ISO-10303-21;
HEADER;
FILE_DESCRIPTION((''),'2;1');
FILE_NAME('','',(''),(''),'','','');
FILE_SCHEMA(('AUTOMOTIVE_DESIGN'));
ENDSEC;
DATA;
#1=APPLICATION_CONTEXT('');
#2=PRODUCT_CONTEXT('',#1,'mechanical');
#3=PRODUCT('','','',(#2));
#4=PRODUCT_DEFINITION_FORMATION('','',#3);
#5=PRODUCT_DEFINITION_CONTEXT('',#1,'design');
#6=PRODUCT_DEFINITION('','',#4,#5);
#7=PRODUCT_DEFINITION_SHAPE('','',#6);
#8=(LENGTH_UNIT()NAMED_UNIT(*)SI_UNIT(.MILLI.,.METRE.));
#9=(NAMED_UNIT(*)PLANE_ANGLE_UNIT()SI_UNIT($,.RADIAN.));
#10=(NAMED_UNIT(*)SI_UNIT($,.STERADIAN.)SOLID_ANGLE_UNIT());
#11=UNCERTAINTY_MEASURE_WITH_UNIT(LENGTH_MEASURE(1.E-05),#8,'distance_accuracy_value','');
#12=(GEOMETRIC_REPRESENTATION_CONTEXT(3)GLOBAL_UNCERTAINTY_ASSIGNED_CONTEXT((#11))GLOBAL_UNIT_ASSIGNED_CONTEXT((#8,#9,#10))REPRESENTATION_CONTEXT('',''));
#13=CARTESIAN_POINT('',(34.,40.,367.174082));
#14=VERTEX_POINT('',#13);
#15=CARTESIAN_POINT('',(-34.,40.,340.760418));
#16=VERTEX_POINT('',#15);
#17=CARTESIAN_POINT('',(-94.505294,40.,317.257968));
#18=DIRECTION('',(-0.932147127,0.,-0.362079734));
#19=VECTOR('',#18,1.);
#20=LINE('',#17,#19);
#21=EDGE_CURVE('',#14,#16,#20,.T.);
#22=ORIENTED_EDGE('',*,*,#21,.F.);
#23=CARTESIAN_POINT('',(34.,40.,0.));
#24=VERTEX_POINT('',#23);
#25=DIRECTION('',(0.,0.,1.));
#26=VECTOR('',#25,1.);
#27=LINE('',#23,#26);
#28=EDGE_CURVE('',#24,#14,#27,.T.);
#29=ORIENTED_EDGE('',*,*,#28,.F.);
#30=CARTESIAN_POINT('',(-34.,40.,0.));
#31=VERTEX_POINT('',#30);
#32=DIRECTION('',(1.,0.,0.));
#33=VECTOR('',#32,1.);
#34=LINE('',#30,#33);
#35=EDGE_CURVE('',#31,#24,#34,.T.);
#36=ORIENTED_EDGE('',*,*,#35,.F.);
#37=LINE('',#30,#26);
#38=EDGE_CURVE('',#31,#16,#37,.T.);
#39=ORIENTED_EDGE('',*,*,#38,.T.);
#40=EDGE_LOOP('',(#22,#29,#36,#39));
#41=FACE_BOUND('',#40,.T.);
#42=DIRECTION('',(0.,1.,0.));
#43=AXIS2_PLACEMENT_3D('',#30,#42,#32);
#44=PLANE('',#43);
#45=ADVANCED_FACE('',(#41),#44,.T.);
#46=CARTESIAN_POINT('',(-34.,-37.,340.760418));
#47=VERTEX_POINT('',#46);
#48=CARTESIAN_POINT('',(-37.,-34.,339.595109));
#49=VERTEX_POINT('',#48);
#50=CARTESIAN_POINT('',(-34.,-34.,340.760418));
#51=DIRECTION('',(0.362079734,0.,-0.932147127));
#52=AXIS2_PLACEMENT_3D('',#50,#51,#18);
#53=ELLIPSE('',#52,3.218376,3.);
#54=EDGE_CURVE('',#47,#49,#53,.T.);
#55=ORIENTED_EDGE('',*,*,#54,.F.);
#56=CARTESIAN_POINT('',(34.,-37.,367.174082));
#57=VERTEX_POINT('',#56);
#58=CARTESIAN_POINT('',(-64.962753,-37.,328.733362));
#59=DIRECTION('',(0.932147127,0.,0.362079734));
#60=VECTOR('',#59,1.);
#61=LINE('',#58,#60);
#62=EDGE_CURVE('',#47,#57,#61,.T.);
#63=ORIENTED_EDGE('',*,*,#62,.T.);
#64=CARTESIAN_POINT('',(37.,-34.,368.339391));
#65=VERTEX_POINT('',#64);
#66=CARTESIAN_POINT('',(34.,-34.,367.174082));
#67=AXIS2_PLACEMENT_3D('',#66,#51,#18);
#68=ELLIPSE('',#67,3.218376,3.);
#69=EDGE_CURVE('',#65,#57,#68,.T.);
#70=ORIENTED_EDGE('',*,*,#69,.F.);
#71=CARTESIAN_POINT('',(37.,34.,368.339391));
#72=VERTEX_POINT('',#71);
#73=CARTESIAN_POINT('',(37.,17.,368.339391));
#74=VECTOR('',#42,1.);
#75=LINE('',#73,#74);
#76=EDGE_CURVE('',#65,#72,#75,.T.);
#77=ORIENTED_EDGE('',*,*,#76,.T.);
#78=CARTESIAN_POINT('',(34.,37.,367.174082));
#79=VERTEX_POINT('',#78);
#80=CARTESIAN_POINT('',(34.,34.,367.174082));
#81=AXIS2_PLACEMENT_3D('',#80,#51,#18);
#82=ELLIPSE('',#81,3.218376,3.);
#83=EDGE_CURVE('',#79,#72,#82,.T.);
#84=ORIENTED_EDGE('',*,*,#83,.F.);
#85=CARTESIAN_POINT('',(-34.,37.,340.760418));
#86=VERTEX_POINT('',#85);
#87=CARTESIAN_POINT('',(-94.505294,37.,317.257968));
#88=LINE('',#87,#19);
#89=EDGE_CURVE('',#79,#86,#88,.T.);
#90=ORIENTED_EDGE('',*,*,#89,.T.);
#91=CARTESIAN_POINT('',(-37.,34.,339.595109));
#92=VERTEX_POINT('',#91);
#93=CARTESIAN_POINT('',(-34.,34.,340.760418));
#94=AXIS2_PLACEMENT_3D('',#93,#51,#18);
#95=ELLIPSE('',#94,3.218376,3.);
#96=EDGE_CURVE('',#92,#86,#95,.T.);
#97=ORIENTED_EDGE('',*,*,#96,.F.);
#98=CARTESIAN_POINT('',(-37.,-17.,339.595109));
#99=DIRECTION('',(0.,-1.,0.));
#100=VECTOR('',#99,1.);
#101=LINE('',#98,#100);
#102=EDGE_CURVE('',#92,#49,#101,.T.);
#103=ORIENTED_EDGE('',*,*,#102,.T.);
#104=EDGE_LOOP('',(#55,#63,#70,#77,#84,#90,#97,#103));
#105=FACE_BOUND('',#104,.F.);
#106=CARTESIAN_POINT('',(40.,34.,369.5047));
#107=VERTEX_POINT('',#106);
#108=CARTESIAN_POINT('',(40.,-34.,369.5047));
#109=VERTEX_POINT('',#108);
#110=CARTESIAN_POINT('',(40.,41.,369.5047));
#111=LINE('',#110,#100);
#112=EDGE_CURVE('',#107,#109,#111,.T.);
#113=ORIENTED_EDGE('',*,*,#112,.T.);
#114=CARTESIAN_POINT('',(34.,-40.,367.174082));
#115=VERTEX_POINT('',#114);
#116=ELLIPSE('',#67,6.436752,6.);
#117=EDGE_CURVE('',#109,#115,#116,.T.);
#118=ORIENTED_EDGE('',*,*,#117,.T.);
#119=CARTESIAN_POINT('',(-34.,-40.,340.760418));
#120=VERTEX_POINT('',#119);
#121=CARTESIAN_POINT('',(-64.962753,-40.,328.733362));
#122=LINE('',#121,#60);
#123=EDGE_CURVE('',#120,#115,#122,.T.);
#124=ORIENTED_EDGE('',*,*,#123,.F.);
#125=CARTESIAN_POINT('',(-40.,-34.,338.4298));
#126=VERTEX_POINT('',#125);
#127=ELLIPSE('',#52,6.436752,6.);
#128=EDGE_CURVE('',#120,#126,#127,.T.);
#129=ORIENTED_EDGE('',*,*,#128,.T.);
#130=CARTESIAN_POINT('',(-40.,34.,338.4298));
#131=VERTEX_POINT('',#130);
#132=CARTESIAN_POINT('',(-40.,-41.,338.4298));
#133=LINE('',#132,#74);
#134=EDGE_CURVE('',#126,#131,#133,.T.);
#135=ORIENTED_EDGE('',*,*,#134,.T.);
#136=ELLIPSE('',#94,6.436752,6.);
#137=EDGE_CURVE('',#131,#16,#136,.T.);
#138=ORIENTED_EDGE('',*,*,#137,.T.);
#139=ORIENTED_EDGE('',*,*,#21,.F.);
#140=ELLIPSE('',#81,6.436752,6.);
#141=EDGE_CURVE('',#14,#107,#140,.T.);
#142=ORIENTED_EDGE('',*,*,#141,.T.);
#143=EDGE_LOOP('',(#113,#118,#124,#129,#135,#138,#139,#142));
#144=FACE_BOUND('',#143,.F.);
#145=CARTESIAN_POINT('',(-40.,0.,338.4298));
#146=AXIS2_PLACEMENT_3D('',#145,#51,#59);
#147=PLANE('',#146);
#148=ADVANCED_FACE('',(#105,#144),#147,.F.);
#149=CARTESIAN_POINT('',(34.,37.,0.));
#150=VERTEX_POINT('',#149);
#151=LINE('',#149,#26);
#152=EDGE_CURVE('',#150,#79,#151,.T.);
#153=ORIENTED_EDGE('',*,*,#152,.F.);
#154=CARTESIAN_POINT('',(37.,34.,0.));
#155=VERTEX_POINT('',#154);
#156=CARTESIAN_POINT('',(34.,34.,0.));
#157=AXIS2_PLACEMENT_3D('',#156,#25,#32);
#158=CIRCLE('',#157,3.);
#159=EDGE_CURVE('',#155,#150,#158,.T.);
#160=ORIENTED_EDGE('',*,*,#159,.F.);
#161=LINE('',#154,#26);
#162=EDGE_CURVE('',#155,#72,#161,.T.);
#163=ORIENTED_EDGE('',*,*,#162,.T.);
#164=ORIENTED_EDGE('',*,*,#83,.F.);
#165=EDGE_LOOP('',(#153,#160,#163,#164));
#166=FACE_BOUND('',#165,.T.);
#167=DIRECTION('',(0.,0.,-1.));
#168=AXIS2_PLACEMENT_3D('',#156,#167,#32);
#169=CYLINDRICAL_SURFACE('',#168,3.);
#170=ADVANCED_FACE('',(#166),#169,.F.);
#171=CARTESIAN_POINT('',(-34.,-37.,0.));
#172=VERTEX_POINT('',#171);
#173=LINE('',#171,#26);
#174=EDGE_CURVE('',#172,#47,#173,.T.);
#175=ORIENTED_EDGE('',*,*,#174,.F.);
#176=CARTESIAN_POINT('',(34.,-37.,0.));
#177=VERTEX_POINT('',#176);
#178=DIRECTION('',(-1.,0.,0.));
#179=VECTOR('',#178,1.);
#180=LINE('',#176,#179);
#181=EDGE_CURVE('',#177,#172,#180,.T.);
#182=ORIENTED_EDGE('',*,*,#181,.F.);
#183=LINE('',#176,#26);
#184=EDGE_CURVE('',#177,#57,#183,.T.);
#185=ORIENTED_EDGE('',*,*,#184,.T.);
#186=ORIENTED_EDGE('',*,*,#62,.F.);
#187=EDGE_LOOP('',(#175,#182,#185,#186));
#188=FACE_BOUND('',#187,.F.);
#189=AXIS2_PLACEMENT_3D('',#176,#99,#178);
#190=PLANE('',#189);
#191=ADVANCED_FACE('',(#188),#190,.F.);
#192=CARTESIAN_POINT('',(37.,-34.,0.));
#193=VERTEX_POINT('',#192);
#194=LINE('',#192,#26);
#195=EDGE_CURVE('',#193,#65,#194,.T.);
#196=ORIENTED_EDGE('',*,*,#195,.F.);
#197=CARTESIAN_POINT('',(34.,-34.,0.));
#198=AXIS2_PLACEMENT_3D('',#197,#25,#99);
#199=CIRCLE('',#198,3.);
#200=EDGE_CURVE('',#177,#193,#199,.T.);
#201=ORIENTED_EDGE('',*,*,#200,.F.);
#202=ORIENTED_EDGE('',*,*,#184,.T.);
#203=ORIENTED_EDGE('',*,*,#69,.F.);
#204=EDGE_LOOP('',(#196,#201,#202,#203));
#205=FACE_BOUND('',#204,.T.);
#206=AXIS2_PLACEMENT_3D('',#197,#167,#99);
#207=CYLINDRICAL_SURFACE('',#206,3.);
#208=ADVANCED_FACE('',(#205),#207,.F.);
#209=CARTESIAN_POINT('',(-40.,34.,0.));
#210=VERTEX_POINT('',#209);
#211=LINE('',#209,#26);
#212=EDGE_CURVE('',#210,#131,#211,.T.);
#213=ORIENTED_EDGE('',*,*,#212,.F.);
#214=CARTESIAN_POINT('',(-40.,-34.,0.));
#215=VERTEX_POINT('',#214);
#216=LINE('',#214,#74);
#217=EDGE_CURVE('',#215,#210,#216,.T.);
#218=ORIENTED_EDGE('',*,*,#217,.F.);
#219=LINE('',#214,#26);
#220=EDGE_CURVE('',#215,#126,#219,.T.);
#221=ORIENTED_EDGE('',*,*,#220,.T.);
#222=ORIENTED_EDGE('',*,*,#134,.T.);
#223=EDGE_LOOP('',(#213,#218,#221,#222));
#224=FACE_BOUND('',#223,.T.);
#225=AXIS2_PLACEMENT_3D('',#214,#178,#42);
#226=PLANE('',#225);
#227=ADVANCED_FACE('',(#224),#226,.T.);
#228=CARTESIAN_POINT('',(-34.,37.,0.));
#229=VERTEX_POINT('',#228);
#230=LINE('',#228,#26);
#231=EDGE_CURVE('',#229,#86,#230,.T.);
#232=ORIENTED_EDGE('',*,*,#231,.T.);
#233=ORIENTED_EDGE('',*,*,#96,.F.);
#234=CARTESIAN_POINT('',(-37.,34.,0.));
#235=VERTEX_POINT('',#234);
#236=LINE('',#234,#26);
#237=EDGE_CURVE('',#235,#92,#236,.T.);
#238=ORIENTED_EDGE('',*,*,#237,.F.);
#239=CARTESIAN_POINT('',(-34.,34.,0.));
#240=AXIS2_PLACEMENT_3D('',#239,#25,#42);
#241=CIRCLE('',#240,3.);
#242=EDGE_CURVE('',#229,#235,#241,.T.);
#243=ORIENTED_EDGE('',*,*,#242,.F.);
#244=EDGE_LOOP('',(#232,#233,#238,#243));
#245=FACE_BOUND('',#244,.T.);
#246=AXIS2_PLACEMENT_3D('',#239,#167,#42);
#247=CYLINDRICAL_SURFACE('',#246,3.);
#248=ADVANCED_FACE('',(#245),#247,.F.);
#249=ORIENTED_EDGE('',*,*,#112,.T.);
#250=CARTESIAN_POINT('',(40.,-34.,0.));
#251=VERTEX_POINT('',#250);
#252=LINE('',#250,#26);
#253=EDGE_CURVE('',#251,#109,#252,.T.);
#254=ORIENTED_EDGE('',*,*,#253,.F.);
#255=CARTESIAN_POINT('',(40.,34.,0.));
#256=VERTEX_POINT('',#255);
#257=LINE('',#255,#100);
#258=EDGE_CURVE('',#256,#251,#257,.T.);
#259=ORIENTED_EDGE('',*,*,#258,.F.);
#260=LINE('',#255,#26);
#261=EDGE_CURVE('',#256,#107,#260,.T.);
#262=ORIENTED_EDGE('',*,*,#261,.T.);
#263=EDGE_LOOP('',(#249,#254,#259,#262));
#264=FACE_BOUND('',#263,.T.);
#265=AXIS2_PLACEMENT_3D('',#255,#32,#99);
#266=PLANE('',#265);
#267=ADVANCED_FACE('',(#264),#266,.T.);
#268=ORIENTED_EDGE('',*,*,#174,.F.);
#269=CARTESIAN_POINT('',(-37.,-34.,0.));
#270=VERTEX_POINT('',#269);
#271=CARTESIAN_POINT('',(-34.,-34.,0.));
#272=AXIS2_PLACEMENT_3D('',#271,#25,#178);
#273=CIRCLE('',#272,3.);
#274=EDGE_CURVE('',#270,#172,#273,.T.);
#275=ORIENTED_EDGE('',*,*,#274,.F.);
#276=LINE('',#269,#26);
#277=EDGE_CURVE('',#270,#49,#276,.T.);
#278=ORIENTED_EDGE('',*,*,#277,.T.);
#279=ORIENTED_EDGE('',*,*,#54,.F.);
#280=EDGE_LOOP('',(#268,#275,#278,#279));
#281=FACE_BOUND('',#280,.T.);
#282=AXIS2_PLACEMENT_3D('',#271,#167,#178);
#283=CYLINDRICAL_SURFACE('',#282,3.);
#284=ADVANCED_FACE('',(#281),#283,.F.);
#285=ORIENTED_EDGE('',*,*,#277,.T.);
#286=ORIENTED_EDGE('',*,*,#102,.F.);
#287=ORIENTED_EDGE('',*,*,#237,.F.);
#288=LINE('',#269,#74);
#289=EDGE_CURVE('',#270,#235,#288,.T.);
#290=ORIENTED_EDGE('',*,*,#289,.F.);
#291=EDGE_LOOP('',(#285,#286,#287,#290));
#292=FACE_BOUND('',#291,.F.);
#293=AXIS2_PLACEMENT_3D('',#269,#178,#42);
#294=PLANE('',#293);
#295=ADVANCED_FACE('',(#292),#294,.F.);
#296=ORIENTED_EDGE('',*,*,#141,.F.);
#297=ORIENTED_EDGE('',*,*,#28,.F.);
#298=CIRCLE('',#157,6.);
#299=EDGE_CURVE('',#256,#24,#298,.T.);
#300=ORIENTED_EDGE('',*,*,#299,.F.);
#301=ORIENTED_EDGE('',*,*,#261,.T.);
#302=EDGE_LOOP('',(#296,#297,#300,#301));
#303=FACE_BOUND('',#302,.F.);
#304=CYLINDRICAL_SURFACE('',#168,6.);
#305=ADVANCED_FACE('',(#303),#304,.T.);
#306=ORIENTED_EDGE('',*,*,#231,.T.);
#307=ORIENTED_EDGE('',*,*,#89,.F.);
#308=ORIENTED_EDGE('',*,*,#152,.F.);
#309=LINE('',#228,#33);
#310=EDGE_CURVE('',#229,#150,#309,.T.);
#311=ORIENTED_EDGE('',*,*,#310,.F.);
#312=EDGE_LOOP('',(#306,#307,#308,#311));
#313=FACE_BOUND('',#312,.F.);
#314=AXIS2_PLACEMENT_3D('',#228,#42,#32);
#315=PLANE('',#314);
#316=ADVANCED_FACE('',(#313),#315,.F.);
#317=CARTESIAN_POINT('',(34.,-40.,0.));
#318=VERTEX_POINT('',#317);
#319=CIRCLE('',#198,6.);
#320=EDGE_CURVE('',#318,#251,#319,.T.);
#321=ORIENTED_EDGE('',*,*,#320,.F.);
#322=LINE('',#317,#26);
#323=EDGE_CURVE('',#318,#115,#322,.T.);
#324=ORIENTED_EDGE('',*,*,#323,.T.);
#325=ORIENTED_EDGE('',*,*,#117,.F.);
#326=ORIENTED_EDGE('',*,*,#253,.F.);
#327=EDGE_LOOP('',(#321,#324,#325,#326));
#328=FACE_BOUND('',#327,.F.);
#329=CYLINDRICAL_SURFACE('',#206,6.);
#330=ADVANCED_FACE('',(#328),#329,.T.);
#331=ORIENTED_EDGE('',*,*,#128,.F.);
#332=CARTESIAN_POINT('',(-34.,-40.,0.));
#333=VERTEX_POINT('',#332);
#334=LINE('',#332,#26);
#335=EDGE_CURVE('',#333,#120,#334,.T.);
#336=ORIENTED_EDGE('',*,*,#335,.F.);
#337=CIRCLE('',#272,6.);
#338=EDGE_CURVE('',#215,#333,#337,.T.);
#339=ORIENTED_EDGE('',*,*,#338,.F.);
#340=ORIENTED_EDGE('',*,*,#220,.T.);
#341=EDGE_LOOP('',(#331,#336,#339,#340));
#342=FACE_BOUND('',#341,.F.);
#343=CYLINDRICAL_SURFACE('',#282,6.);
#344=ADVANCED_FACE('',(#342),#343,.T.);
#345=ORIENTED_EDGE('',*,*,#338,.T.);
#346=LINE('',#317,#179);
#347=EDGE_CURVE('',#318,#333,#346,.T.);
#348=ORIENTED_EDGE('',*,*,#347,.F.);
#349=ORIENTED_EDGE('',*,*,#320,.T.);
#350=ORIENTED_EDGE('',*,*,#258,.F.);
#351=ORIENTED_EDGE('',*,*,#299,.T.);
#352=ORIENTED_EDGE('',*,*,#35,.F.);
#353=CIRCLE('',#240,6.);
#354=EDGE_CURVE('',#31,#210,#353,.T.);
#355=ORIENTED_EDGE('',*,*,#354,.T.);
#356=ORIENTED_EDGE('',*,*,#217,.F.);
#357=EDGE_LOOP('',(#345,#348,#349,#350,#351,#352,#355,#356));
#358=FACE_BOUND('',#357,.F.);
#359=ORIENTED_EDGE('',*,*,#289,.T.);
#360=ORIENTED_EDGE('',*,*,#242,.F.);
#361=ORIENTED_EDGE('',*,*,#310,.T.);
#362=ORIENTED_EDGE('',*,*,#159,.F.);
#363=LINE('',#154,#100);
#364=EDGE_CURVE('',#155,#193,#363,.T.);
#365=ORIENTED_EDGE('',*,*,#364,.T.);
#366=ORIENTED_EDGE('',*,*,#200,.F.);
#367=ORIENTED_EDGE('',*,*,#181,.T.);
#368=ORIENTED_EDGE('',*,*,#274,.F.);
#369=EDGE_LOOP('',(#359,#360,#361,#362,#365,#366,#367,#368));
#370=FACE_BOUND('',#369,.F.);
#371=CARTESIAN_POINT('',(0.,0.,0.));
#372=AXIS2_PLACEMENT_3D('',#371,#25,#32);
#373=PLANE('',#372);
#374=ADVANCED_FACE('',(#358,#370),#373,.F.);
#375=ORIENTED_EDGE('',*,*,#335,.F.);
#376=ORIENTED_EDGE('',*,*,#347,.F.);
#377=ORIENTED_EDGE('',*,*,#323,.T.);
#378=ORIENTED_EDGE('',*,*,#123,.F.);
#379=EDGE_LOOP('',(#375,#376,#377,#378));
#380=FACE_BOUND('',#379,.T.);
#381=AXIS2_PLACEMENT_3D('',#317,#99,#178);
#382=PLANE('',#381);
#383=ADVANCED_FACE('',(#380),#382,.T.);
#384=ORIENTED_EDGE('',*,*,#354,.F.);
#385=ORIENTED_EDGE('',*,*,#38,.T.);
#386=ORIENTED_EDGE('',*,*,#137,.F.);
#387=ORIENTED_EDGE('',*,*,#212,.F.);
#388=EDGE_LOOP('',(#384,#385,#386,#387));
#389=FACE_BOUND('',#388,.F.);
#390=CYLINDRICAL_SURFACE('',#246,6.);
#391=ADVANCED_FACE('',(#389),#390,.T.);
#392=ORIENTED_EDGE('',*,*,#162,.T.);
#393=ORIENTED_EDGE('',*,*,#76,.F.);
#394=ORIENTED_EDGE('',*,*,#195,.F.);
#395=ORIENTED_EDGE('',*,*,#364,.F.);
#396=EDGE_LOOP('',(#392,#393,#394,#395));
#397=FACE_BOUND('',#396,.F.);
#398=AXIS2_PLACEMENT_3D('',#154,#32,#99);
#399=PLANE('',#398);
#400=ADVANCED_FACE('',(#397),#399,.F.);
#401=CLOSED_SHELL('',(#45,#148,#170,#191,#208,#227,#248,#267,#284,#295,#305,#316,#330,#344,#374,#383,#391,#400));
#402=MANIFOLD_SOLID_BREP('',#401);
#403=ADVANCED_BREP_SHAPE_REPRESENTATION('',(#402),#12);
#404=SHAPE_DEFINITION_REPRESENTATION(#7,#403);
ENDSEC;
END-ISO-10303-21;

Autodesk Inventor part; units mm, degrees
ref_plane "YZ Plane" through (0, 0, 0) normal (1, 0, 0) x (0, 1, 0)
ref_plane "Start plane" through (0, 0, 0) normal (0, 0, 1) x (1, 0, 0)
ref_plane "End plane" through (0, 0, 1000) normal (0, 0, 1) x (1, 0, 0)
sketch "Sketch" plane through (0, 0, 0) normal (0, 0, 1) x (1, 0, 0)
  line L0 (-40, -34) -> (-40, 34)
  line L1 (-34, 40) -> (34, 40)
  line L2 (40, 34) -> (40, -34)
  line L3 (34, -40) -> (-34, -40)
  arc A0 (-40, -34) -> (-34, -40) centre (-34, -34) ccw
  arc A1 (40, 34) -> (34, 40) centre (34, 34) ccw
  arc A2 (-34, 40) -> (-40, 34) centre (-34, 34) ccw
  arc A3 (34, -40) -> (40, -34) centre (34, -34) ccw
  arc A4 (-34, 37) -> (-37, 34) centre (-34, 34) ccw
  line L4 (-34, 37) -> (34, 37)
  arc A5 (37, 34) -> (34, 37) centre (34, 34) ccw
  line L5 (37, 34) -> (37, -34)
  arc A6 (34, -37) -> (37, -34) centre (34, -34) ccw
  line L6 (34, -37) -> (-34, -37)
  arc A7 (-37, -34) -> (-34, -37) centre (-34, -34) ccw
  line L7 (-37, -34) -> (-37, 34)
  line L8 (0, 57.7397) -> (0, -57.7397) construction
  line L9 (-1453.6197, 0) -> (290.3864, 0) construction
  dimension "d7" = 6
  dimension "d9" = 80
  dimension "d11" = 80
  dimension "d12" = 3
  dimension "d15" = 40
  dimension "d16" = 40
extrude "Body" add sketch "Sketch" along normal up to surface (1000 mm away) from surface at 0
sketch "Sketch3" plane through (0, 0, 0) normal (0, 0, 1) x (1, 0, 0)
  line L0 (0, 0) -> (10, 0)
ref_plane "Work Plane3" through (0, 0, 0) normal (0, -1, 0) x (1, 0, 0)
sketch "Sketch5" plane through (0, 0, 0) normal (0, 1, 0) x (-1, 0, 0)
  line L0 (-40, 0) -> (-40, 1000) projected
  line L1 (40, 0) -> (40, 1000) projected
  line L2 (40, 0) -> (40, 1000) projected
  line L3 (40, 349.1577) -> (340, 349.1577) construction
  line L4 (-80.663, 399.3796) -> (760.663, 399.3796) construction
  arc A0 (-80.663, 399.3796) -> (340, 300) centre (340, 1240) ccw construction
  line L5 (-130, 479.2385) -> (810, 479.2385) construction
  arc A1 (-130, 479.2385) -> (-80.663, 399.3796) centre (-40.7, 479.2385) ccw construction
  arc A2 (760.663, 399.3796) -> (810, 479.2385) centre (720.7, 479.2385) ccw
  line L6 (-130, 479.2385) -> (-130, 519.2385)
  line L7 (810, 479.2385) -> (810, 519.2385)
  line L8 (-130, 519.2385) -> (340, 519.2385) construction
  line L9 (340, 519.2385) -> (340, 0)
  arc A3 (340, 300) -> (760.663, 399.3796) centre (340, 1240) ccw
  line L10 (340, 519.2385) -> (810, 519.2385)
  point P0 (0, 0)
  dimension "d22" = 300
  dimension "d24" = 940
  dimension "d25" = 89.3
  dimension "d26" = 40
  dimension "d27" = 940
  dimension "d28" = 300
  dimension "d30" = 349.1577
sketch "Sketch6" plane through (0, 0, 0) normal (0, 1, 0) x (-1, 0, 0)
  line L0 (40, 0) -> (40, 1000) projected
  line L1 (40, 0) -> (40, 1000) projected
  line L2 (-40, 0) -> (-40, 1000) projected
  line L3 (-40, 0) -> (-40, 1000) projected
  line L4 (34, 1000) -> (40, 1000) projected
  line L5 (40, 1000) -> (-40, 1000)
  line L6 (-40, 380.2326) -> (40, 349.1577)
  arc A0 (-80.663, 399.3796) -> (340, 300) centre (340, 1240) ccw construction
  line L7 (40, 338.4298) -> (-40, 369.5047)
  point P0 (0, 0)
  point P1 (-40, 380.2326)
  dimension "d33" = 10
extrude "Extrusion2" cut sketch "Sketch6" along normal through all both and the other way through all
sketch "Sketch4" plane through (0, 0, 0) normal (0, -1, 0) x (1, 0, 0)
  line L0 (-1453.3712, 0) -> (288.8952, 0) projected
  line L1 (-1453.3712, 1000) -> (288.8952, 1000) projected
  dimension "d18" = 1000
equation "\"d7\" = G_IR"
equation "\"d9\" = G_W"
equation "\"d11\" = G_H"
equation "\"d12\" = G_T"
equation "\"d15\" = 0.5 * d9"
equation "\"d16\" = 0.5 * d11"
equation "\"d3\" = G_L"
equation "\"d22\" = 0.5 * Diam_of_legs_center"
equation "\"d24\" = d27"
equation "\"d25\" = 0.095 * d27"
equation "\"d27\" = MAIN_filter_diam"
equation "\"G_W\" = 80"
equation "\"G_H\" = 80"
equation "\"G_T\" = 3"
equation "\"G_IR\" = 6"
equation "\"G_L\" = d18"
equation "\"G_OFFSET_START\" = 0"
equation "\"G_OFFSET_END\" = 0"
equation "\"Diam_of_legs_center\" = 600"
equation "\"MAIN_filter_diam\" = 940"
properties part number "PNS-681 Leg tube" material "Steel, Mild"
